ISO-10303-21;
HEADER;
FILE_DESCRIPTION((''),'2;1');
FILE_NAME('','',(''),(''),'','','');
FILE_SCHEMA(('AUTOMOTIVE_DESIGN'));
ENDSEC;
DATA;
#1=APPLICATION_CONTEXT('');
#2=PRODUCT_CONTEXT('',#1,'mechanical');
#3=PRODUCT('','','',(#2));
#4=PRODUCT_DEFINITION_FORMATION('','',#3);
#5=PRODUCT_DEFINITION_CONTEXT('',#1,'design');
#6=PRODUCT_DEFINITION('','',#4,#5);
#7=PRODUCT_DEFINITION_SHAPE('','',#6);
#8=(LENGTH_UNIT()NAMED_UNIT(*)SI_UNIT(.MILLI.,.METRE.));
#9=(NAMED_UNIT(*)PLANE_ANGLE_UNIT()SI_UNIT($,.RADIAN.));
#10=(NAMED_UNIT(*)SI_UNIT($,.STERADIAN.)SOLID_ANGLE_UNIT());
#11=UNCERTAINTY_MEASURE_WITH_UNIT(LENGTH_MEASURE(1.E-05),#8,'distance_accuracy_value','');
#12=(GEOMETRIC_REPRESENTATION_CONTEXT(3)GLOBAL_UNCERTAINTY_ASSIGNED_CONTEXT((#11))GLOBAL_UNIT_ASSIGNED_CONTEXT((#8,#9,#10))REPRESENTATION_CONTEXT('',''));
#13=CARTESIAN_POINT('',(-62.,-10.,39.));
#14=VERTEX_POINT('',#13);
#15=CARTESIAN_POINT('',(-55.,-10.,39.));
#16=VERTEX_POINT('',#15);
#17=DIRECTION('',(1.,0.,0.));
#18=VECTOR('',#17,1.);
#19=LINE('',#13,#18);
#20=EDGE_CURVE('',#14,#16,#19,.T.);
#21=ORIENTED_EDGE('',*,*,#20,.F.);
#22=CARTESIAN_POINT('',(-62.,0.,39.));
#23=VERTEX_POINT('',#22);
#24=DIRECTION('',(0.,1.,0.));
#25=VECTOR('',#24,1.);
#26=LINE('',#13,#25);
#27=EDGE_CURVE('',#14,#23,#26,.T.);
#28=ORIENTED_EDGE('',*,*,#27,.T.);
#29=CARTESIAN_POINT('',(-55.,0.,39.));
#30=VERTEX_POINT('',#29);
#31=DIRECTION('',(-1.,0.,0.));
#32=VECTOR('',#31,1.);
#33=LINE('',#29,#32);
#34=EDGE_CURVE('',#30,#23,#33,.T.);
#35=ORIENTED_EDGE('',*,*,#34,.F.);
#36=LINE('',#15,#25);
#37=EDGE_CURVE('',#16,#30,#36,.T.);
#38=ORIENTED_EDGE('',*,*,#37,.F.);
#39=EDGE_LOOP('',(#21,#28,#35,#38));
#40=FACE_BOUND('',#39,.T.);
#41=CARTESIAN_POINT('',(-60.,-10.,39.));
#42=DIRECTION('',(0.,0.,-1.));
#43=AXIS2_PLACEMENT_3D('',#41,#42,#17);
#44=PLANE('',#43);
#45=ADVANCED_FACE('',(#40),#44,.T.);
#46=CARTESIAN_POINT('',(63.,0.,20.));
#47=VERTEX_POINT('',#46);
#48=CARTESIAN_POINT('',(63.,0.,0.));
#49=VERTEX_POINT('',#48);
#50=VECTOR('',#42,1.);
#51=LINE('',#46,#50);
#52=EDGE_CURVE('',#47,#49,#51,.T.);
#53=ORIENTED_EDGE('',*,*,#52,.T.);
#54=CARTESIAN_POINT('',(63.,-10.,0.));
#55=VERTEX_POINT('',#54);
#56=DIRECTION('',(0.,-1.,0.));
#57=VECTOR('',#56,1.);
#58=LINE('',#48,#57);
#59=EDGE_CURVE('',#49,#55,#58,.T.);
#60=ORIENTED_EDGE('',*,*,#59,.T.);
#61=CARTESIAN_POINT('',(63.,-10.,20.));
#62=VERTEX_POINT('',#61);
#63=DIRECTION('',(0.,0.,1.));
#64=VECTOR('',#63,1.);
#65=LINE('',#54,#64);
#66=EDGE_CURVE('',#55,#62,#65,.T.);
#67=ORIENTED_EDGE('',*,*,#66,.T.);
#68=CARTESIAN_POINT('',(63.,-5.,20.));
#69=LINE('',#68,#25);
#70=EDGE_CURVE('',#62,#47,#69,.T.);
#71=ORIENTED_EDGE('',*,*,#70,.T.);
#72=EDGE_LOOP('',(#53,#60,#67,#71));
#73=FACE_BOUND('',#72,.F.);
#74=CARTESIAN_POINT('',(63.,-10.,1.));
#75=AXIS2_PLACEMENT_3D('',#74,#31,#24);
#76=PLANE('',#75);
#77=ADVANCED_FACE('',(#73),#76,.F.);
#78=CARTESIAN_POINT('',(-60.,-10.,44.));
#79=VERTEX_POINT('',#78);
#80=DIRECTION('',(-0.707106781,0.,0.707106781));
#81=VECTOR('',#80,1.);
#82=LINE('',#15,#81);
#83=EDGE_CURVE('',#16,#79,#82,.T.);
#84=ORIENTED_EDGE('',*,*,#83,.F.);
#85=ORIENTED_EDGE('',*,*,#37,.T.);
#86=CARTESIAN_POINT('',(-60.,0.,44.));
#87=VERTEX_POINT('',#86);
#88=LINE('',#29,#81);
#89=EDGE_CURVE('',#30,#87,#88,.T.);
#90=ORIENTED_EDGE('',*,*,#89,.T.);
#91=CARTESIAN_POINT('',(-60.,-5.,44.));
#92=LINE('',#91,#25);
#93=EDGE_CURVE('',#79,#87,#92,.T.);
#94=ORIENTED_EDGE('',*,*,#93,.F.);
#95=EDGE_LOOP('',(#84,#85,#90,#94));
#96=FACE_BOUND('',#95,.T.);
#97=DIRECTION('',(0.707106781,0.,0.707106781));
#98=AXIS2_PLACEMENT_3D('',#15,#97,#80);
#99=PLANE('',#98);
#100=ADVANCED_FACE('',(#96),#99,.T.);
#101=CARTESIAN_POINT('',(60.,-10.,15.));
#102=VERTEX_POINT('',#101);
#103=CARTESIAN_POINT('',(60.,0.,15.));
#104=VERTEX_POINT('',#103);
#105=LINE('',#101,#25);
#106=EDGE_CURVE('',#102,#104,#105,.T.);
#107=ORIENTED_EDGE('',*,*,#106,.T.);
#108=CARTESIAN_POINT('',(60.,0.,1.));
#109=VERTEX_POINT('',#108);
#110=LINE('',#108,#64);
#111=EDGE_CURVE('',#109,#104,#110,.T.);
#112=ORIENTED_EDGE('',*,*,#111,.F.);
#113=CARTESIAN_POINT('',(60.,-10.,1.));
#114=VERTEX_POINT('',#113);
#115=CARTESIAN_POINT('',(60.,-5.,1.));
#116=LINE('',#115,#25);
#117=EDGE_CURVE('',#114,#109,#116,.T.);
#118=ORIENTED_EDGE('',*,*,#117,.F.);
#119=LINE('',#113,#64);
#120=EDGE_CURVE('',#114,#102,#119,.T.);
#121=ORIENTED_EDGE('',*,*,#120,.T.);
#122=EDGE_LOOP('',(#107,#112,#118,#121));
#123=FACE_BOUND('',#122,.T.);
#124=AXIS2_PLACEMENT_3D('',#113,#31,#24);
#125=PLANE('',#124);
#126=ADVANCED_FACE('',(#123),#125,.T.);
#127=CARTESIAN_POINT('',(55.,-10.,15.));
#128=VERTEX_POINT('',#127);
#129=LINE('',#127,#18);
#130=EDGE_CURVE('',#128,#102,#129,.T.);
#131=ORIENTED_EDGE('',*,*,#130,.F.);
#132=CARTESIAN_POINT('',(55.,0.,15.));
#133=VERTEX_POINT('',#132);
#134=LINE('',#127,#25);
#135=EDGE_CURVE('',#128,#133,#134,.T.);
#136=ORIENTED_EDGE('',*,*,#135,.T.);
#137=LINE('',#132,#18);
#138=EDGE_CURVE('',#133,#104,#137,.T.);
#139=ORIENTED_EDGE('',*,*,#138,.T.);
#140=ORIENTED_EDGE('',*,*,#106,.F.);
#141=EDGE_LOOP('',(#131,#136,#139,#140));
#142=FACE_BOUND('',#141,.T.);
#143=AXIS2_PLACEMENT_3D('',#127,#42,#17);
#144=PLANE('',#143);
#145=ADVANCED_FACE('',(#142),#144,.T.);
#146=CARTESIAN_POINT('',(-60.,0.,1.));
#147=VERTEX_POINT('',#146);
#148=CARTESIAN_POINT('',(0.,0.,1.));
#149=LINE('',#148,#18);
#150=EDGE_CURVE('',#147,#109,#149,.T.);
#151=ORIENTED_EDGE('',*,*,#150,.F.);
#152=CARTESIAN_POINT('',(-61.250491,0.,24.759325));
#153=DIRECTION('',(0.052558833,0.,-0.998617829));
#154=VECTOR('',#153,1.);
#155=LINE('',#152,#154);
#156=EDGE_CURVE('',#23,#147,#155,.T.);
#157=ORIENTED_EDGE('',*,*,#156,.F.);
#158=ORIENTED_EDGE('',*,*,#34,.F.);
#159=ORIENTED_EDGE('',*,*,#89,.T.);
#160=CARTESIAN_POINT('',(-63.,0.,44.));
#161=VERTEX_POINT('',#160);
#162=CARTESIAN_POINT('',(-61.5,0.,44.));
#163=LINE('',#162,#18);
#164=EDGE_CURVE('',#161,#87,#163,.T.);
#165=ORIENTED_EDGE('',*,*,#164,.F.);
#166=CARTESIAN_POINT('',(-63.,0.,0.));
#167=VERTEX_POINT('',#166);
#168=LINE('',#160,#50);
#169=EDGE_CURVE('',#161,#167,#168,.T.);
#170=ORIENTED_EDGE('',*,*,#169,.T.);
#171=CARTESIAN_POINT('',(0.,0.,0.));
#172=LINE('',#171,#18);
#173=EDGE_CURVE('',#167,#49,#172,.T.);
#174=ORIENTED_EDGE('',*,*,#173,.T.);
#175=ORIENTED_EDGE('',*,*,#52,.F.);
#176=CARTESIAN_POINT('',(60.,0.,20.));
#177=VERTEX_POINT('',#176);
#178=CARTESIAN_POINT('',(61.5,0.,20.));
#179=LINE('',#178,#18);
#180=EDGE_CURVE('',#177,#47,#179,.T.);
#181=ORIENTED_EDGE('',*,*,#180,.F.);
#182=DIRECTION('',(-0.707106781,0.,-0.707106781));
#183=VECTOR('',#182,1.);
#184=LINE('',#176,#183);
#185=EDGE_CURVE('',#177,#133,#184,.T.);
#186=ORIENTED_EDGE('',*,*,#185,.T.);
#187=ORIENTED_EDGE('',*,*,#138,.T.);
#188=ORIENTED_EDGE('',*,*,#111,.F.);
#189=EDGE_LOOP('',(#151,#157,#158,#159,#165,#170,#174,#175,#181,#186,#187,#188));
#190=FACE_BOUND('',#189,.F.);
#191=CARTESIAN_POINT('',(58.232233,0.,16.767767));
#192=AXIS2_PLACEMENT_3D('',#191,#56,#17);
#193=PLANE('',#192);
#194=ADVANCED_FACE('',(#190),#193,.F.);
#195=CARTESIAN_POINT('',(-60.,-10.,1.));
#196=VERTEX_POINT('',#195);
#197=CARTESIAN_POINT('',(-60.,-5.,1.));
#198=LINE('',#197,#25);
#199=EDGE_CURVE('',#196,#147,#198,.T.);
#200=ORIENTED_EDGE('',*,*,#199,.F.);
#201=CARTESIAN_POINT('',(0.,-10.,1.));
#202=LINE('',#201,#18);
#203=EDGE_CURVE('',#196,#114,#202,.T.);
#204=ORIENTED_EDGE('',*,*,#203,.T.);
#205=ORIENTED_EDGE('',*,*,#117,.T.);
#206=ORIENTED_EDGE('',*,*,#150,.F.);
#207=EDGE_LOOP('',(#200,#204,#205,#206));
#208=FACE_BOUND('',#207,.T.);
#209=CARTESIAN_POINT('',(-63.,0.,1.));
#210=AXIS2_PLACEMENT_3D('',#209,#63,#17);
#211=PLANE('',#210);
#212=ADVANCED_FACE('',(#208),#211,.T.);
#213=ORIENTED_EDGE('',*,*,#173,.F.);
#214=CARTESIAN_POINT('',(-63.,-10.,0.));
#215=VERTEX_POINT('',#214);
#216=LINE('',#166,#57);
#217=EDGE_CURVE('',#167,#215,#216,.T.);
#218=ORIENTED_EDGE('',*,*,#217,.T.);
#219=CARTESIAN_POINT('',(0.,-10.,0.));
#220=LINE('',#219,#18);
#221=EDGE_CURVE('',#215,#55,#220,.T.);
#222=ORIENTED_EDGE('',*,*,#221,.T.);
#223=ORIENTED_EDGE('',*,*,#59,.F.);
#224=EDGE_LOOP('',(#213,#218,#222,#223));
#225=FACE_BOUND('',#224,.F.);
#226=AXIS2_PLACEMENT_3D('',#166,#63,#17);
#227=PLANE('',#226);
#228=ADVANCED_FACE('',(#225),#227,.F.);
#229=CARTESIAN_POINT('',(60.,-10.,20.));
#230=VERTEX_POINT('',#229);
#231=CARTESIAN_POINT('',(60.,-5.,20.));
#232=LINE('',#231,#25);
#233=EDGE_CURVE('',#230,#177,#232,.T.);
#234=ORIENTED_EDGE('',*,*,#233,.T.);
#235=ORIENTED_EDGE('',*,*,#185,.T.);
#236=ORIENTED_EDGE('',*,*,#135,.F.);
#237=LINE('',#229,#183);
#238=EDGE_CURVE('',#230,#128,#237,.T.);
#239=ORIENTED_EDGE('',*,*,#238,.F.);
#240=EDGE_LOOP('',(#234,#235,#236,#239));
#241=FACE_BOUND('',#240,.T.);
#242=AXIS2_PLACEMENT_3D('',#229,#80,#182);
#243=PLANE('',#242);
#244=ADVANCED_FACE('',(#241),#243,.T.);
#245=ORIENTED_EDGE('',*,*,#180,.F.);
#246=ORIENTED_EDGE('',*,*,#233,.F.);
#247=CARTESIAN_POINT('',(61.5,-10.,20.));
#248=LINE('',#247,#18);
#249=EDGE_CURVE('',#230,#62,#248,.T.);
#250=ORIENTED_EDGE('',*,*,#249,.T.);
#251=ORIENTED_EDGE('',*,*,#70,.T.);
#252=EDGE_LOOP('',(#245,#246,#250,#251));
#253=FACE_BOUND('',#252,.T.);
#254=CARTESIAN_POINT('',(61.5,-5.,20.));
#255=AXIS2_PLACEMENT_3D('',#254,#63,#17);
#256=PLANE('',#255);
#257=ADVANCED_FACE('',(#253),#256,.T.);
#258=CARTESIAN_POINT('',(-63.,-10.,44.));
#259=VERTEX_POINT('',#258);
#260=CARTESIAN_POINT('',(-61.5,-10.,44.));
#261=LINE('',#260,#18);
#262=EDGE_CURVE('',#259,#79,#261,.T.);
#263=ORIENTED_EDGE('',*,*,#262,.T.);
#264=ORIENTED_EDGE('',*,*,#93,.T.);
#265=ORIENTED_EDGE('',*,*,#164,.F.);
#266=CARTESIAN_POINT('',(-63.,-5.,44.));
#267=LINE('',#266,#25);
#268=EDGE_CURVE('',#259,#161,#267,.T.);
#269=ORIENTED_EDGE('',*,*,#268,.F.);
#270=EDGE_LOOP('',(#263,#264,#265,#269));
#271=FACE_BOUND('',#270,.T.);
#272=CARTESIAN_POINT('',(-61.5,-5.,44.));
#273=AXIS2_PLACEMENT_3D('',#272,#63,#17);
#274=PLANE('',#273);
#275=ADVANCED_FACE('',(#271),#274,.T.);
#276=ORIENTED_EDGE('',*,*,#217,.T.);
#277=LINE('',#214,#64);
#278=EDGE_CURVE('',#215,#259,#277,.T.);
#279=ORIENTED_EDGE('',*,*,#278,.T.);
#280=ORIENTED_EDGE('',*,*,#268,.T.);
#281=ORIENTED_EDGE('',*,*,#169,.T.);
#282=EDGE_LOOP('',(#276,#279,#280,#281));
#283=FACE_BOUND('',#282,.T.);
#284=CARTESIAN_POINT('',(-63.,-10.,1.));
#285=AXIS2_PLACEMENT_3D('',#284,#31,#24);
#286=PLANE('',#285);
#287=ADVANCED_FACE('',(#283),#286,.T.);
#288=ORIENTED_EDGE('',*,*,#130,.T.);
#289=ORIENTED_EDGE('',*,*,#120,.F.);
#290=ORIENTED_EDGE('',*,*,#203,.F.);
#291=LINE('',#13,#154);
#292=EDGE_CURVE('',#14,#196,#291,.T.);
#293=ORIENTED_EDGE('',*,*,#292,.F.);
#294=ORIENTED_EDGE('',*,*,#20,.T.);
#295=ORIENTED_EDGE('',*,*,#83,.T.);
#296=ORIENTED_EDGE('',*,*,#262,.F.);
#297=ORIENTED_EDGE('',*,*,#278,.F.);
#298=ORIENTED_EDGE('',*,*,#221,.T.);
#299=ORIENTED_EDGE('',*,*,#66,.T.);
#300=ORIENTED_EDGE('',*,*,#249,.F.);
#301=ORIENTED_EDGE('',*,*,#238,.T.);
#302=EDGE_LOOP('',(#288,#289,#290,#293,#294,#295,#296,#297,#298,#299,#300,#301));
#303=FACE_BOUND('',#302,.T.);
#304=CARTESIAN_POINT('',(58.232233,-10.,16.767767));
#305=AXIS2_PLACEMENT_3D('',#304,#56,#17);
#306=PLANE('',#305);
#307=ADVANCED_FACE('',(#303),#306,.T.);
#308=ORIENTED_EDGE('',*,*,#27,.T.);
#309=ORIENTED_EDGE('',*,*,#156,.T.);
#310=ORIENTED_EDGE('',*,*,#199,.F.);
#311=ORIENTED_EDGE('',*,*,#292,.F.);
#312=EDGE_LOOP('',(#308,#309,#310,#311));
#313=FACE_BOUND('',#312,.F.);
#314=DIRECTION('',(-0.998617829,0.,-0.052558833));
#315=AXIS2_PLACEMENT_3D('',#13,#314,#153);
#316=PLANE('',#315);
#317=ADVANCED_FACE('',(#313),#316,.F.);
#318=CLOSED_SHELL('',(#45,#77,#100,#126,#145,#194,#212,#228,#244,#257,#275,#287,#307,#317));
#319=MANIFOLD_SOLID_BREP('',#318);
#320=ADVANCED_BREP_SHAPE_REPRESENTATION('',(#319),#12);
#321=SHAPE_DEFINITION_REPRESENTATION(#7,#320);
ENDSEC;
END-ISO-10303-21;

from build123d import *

# Parameters (mm, degrees)
F0_W     = 126
F0_H     = 1
F1_DEPTH = 10
F2_W     = 3
F2_H     = 10
F3_DEPTH = 43
F4_DEPTH = 19
F6_DEPTH = 10
F7_DEPTH = 10
F9_DEPTH = 25


with BuildPart() as f1:
    # F0 (on Front) → F1 (new body)
    with BuildSketch(Plane.XZ):
        with Locations((0, 0.5)):
            Rectangle(F0_W, F0_H)
    extrude(amount=F1_DEPTH)

    # F2 (on face) → F3 (join)
    with BuildSketch(Plane.XY.offset(1)):
        with Locations((-61.5, -5)):
            Rectangle(F2_W, F2_H)
    extrude(amount=F3_DEPTH)

    # F2 (on face) → F4 (join)
    with BuildSketch(Plane.XY.offset(1)):
        with Locations((61.5, -5)):
            Rectangle(F2_W, F2_H)
    extrude(amount=F4_DEPTH)

    # F5 (on face) → F6 (join)
    with BuildSketch(Plane.XZ.offset(10)):
        Polygon((-55, 39), (-60, 44), (-60, 39), align=None)
    extrude(amount=-F6_DEPTH)

    # F5 (on face) → F7 (join)
    with BuildSketch(Plane.XZ.offset(10)):
        Polygon((55, 15), (60, 15), (60, 20), align=None)
    extrude(amount=-F7_DEPTH)

    # F8 (on face) → F9 (cut)
    with BuildSketch(Plane.XZ.offset(10)):
        Polygon((-62, 39), (-60, 1), (-60, 39), align=None)
    extrude(amount=-F9_DEPTH, mode=Mode.SUBTRACT)


solid = f1.part
